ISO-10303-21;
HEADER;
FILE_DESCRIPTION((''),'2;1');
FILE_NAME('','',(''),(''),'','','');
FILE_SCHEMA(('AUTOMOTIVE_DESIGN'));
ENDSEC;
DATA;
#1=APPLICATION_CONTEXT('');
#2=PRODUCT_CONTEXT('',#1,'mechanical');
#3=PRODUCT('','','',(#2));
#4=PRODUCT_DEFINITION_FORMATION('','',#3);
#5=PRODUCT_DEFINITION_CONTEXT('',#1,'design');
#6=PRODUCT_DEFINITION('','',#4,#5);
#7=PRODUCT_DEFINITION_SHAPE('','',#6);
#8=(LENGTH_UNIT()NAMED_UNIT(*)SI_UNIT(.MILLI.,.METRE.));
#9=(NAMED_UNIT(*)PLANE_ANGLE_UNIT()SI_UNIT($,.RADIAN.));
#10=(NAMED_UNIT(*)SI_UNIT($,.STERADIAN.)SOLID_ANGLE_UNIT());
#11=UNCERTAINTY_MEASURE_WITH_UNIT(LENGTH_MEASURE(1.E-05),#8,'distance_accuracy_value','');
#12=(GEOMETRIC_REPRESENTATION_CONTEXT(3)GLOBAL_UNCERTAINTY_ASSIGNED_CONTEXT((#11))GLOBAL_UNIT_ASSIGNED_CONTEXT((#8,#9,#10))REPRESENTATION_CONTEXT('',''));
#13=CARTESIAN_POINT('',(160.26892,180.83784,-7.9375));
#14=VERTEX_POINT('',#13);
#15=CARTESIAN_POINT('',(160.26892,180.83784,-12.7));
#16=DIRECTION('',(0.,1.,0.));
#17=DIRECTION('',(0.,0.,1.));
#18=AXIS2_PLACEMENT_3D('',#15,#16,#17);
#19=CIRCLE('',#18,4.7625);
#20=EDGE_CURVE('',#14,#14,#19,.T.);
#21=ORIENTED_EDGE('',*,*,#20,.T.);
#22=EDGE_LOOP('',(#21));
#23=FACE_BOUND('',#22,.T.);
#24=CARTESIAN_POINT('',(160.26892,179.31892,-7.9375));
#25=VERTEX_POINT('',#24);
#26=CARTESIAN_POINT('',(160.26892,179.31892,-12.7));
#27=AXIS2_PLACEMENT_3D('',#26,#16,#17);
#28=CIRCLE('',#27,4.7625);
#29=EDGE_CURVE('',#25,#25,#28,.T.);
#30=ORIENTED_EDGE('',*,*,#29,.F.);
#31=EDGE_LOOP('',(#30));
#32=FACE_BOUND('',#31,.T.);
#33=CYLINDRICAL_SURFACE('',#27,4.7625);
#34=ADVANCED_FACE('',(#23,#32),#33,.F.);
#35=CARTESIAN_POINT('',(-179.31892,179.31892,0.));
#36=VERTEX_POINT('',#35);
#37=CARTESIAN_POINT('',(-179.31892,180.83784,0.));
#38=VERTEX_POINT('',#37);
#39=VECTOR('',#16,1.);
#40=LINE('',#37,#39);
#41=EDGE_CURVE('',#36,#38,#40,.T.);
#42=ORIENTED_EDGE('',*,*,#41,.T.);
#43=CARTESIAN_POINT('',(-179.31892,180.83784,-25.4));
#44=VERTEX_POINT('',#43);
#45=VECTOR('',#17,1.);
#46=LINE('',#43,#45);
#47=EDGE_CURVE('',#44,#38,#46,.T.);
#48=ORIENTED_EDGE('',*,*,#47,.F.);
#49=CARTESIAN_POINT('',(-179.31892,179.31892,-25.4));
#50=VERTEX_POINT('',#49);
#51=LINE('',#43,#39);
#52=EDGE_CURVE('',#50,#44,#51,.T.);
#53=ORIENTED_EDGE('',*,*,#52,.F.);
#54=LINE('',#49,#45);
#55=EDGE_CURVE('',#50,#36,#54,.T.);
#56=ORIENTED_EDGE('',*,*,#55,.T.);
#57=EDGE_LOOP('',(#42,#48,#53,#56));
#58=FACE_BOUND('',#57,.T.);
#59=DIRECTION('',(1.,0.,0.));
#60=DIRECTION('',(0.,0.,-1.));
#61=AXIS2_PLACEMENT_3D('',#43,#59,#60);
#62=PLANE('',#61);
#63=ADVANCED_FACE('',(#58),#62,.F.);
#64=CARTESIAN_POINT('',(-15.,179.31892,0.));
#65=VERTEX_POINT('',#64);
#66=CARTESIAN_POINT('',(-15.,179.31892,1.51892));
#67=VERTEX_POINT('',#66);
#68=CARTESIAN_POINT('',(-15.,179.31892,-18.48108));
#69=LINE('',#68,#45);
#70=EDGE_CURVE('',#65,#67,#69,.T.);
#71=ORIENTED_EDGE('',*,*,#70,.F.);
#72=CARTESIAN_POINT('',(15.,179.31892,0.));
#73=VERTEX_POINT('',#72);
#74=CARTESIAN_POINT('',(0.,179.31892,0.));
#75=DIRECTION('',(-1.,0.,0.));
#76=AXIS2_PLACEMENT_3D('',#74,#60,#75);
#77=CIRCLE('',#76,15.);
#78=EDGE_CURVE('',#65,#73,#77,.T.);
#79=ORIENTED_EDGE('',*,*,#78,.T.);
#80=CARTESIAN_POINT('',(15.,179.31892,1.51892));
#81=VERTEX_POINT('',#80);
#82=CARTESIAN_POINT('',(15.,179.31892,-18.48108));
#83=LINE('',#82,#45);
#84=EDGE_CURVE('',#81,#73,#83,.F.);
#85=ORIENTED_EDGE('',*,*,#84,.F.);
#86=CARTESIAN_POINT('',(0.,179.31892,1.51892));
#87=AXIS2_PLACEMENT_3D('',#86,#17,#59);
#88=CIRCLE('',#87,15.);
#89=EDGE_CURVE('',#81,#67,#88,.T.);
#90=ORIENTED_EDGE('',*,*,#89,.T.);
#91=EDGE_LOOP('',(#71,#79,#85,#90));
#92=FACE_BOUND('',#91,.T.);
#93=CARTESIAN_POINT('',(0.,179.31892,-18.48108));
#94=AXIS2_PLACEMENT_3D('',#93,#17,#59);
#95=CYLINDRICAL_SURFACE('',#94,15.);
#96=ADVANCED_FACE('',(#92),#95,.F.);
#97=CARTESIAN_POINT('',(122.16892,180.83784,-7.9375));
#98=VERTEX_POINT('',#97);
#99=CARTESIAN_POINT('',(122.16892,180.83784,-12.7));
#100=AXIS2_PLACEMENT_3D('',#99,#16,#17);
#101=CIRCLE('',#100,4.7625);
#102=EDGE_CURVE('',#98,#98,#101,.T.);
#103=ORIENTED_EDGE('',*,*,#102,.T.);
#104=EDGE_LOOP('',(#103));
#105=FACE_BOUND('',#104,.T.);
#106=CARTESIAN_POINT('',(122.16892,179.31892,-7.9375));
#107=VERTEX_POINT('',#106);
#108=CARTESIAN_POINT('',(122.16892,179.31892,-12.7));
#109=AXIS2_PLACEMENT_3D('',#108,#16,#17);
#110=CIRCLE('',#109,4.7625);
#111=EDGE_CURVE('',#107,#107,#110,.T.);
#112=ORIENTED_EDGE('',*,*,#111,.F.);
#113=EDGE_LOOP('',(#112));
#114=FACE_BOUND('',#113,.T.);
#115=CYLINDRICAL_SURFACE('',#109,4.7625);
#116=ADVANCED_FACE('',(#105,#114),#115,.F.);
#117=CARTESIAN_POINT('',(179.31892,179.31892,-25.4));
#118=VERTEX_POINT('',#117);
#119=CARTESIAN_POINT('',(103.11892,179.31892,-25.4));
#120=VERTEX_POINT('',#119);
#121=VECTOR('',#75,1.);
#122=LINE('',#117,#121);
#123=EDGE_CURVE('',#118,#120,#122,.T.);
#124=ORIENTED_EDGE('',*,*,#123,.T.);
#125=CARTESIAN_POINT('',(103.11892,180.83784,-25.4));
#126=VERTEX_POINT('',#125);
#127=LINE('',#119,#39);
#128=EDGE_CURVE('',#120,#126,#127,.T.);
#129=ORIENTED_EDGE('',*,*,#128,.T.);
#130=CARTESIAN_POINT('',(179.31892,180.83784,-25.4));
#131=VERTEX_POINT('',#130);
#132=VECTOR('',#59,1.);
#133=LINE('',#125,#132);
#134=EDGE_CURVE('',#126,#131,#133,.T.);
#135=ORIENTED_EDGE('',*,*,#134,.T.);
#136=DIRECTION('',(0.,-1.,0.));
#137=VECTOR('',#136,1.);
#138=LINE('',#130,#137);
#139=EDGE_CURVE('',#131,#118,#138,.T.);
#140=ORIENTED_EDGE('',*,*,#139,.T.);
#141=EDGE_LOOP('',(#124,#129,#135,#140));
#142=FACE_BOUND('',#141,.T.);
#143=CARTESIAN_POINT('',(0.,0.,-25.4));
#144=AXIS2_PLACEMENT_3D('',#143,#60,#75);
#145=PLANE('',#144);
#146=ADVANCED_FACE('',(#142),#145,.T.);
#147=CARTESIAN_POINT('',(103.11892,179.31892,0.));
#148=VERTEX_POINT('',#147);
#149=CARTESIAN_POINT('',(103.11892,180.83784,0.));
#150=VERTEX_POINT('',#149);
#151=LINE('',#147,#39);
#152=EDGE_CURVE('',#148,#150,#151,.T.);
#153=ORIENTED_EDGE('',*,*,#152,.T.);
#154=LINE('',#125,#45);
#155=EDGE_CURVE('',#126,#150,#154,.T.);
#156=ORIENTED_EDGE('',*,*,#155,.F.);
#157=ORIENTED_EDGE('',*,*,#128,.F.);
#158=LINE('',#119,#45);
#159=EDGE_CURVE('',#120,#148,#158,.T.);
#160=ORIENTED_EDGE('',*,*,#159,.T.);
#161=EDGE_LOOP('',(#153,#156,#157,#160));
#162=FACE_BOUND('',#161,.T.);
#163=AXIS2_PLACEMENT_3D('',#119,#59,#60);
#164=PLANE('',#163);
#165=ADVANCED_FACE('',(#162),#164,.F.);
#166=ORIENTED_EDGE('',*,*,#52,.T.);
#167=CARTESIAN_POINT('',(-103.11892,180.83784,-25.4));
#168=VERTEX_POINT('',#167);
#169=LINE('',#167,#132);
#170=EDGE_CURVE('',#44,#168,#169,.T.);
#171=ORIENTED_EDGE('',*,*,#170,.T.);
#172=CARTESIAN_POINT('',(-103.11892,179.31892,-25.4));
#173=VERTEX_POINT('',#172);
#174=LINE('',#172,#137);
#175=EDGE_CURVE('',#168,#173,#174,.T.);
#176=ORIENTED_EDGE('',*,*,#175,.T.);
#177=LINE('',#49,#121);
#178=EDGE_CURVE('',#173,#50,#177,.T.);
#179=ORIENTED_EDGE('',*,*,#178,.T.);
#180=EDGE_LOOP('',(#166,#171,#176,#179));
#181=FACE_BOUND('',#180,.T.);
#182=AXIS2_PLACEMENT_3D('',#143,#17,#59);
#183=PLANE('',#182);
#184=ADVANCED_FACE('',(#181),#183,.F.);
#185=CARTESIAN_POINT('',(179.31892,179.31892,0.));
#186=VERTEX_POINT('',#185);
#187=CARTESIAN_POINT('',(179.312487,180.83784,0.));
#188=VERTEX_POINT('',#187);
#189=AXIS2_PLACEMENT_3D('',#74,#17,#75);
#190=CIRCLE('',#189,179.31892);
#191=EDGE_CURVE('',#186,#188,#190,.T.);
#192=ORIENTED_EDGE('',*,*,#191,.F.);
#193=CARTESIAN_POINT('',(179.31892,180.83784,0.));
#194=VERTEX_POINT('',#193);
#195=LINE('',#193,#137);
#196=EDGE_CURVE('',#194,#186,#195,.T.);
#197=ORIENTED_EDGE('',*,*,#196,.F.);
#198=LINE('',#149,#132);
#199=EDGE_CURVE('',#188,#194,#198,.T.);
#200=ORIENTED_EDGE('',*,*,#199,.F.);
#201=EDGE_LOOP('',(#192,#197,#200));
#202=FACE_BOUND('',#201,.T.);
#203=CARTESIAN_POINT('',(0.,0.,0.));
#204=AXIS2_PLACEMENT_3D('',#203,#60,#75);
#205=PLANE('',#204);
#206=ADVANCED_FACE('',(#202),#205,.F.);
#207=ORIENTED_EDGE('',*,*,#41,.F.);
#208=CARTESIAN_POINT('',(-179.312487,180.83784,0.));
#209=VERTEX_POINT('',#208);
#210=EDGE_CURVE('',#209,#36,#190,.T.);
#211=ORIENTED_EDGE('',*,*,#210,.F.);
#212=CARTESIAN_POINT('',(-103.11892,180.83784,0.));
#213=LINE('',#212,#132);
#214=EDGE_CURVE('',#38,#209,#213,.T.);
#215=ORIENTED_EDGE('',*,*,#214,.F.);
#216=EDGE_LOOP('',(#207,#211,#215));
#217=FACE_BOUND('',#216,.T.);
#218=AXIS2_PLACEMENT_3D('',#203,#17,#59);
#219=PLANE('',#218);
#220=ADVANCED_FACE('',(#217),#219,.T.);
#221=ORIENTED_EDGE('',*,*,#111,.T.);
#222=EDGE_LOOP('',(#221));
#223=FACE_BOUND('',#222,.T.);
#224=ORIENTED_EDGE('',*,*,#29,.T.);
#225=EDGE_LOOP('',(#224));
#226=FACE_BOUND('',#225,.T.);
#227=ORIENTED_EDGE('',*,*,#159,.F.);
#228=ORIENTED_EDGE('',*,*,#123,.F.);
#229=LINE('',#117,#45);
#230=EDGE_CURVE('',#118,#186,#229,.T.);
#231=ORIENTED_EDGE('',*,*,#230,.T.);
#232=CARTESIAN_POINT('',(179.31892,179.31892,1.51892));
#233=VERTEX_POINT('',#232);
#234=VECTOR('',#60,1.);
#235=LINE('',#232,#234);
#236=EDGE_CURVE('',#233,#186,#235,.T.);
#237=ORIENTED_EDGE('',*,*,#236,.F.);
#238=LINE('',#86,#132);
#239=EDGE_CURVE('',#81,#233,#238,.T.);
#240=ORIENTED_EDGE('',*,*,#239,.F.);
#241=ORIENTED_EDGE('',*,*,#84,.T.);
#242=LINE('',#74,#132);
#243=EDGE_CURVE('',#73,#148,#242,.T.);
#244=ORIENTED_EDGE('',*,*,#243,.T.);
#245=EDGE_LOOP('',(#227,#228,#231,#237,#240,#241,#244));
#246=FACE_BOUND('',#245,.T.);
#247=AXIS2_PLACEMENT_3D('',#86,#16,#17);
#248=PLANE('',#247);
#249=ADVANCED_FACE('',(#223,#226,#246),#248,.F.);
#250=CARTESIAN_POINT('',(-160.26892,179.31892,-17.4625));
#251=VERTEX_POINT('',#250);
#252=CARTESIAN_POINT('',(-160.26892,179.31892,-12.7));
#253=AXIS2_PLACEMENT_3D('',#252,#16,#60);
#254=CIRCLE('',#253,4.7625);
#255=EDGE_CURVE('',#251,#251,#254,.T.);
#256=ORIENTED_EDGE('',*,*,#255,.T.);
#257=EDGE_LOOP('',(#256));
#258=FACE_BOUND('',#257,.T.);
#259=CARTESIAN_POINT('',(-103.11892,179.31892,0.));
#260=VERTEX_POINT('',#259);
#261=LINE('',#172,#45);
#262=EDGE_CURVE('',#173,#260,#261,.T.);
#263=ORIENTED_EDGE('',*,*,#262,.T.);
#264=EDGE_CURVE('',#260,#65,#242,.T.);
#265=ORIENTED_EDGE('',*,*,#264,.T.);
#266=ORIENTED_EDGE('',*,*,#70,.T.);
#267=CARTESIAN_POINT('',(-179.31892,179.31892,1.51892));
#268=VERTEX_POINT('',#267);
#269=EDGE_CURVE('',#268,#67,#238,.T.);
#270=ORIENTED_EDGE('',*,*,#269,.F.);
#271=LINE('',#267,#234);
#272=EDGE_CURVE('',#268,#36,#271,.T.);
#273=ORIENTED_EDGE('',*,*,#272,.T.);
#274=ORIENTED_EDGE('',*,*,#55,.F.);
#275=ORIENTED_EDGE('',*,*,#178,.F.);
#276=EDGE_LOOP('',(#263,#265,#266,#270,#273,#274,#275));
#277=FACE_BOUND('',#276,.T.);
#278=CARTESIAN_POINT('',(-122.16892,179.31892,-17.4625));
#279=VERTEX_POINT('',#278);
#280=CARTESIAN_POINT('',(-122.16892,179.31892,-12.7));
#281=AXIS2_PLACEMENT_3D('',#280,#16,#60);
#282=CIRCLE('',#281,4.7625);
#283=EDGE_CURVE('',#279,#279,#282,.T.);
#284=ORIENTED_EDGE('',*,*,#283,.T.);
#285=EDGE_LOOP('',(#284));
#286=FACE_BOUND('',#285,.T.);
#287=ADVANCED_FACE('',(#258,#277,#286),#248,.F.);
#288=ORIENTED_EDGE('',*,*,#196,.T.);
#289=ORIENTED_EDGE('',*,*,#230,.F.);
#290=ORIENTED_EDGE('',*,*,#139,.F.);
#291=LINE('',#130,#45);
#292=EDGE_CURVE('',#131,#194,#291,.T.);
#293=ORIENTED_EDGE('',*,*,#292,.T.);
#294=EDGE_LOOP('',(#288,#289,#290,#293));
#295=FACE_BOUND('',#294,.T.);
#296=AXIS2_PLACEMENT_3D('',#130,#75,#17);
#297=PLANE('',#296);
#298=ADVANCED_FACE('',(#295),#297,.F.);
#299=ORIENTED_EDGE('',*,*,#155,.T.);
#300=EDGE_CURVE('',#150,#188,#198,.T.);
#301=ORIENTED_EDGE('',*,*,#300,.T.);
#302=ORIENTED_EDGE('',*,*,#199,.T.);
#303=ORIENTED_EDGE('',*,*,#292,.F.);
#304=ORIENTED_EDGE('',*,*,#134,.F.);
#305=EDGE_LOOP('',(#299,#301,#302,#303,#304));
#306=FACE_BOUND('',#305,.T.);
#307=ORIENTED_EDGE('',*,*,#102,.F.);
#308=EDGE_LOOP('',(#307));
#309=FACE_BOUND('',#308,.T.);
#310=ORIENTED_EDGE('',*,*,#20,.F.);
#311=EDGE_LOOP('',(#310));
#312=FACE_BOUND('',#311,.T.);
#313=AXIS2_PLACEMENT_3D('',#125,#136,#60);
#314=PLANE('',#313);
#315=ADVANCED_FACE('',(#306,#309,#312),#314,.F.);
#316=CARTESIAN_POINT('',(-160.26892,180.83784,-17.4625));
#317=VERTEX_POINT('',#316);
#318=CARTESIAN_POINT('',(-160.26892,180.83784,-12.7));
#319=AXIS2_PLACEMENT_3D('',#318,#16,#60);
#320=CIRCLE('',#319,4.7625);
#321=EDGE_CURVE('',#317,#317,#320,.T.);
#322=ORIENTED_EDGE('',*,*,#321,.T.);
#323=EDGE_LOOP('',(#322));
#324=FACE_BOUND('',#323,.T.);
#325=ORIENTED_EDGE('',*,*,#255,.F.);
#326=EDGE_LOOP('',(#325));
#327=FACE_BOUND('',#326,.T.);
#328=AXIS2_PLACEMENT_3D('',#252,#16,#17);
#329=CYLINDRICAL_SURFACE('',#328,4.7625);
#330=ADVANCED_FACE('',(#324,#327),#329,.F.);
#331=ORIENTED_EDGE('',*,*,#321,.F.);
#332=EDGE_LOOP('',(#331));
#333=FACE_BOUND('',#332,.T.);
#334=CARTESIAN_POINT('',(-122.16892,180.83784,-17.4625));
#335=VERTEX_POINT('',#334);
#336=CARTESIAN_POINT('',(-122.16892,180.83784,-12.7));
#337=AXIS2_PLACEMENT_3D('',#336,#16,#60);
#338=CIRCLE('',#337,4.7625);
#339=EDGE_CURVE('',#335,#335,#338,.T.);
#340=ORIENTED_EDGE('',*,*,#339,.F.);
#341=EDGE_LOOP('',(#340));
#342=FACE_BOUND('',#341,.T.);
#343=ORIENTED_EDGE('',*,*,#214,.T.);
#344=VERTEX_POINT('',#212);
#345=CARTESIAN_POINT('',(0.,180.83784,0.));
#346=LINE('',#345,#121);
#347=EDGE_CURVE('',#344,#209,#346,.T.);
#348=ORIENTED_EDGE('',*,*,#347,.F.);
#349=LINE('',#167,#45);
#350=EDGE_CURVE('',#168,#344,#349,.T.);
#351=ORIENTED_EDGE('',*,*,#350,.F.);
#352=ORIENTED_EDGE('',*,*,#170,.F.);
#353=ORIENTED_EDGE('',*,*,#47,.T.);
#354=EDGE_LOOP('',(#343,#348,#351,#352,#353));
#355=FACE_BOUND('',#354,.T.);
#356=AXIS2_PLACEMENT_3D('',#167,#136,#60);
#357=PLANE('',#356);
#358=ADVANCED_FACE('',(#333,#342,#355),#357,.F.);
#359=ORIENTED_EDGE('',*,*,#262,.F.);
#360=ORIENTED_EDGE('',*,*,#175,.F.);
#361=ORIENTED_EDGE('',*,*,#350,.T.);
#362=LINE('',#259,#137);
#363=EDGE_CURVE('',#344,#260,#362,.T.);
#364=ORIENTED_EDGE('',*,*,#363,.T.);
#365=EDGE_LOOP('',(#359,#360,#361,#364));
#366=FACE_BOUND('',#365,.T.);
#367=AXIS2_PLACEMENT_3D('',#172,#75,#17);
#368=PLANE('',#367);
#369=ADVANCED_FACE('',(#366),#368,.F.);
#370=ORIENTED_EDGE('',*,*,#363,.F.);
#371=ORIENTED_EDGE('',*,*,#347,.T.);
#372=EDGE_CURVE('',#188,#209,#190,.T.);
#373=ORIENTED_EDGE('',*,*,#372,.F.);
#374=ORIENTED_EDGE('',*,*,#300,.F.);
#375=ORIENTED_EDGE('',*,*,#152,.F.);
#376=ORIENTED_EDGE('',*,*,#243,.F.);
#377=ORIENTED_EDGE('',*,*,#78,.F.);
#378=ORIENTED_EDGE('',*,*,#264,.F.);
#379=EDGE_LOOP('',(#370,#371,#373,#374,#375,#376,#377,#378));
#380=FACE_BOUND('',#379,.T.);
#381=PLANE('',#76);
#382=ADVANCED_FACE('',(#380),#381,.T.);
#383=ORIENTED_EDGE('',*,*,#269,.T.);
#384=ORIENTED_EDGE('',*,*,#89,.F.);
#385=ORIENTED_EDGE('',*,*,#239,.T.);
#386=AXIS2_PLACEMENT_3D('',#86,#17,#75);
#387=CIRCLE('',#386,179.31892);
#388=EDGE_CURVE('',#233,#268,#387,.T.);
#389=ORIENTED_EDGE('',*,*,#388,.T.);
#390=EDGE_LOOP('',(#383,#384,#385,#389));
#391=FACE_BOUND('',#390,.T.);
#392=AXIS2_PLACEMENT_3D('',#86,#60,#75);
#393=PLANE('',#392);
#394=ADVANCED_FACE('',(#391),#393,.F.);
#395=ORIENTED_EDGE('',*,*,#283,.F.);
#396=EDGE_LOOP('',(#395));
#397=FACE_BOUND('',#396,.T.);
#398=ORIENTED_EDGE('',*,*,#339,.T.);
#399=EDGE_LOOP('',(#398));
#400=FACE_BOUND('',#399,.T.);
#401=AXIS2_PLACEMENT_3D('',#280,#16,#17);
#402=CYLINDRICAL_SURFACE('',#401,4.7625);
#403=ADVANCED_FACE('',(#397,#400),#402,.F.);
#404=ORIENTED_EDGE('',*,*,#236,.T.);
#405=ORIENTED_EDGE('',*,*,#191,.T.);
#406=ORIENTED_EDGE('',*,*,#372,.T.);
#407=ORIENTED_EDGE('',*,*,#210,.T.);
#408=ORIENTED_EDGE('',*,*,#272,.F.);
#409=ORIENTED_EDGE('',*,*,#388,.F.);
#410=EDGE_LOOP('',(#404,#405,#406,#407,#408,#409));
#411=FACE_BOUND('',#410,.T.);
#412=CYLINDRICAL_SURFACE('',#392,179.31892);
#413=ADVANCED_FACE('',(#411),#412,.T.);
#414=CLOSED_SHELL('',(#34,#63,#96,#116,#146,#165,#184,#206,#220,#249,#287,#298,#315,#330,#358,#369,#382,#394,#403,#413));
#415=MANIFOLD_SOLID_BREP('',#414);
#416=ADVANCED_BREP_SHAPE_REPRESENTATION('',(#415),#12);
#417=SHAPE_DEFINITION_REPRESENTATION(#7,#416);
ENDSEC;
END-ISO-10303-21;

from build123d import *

# Parameters (mm, degrees)
OUTER_CASING_DEPTH  = 1.51892
SKETCH1_R           = 15
INNER_CUTOUT_DEPTH  = 20
SKETCH4_W           = 76.2
SKETCH4_H           = 1.51892
BOSS_EXTRUDE1_DEPTH = 25.4
SKETCH5_R           = 4.7625
CUT_EXTRUDE1_DEPTH  = 2.51892


with BuildPart() as part:
    # Plate shape → Outer casing (new body)
    with BuildSketch(Plane.XY):
        with BuildLine():
            Line((0, 179.31892), (-179.31892, 179.31892))
            ThreePointArc((-179.31892, 179.31892), (0, 358.63784), (179.31892, 179.31892))
            Line((179.31892, 179.31892), (0, 179.31892))
        make_face()
    extrude(amount=OUTER_CASING_DEPTH)

    # Sketch1 → Inner Cutout (cut)
    with BuildSketch(Plane.XY.offset(1.51892)):
        with Locations((0, 179.31892)):
            Circle(SKETCH1_R)
    extrude(amount=-INNER_CUTOUT_DEPTH, mode=Mode.SUBTRACT)

    # Sketch4 → Boss-Extrude1 (add)
    with BuildSketch(Plane(origin=(0, 0, 0), x_dir=(-1, 0, 0), z_dir=(0, 0, -1))):
        with Locations((-141.21892, 180.07838)):
            Rectangle(SKETCH4_W, SKETCH4_H)
        with Locations((141.21892, 180.07838)):
            Rectangle(SKETCH4_W, SKETCH4_H)
    extrude(amount=BOSS_EXTRUDE1_DEPTH)

    # Sketch5 → Cut-Extrude1 (cut, through all)
    with BuildSketch(Plane(origin=(0, 180.83784, 0), x_dir=(1, 0, 0), z_dir=(0, 1, 0))):
        with Locations((160.26892, 12.7)):
            Circle(SKETCH5_R)
        with Locations((122.16892, 12.7)):
            Circle(SKETCH5_R)
        with Locations((-160.26892, 12.7)):
            Circle(SKETCH5_R)
        with Locations((-122.16892, 12.7)):
            Circle(SKETCH5_R)
    extrude(amount=-CUT_EXTRUDE1_DEPTH, mode=Mode.SUBTRACT)


solid = part.part
